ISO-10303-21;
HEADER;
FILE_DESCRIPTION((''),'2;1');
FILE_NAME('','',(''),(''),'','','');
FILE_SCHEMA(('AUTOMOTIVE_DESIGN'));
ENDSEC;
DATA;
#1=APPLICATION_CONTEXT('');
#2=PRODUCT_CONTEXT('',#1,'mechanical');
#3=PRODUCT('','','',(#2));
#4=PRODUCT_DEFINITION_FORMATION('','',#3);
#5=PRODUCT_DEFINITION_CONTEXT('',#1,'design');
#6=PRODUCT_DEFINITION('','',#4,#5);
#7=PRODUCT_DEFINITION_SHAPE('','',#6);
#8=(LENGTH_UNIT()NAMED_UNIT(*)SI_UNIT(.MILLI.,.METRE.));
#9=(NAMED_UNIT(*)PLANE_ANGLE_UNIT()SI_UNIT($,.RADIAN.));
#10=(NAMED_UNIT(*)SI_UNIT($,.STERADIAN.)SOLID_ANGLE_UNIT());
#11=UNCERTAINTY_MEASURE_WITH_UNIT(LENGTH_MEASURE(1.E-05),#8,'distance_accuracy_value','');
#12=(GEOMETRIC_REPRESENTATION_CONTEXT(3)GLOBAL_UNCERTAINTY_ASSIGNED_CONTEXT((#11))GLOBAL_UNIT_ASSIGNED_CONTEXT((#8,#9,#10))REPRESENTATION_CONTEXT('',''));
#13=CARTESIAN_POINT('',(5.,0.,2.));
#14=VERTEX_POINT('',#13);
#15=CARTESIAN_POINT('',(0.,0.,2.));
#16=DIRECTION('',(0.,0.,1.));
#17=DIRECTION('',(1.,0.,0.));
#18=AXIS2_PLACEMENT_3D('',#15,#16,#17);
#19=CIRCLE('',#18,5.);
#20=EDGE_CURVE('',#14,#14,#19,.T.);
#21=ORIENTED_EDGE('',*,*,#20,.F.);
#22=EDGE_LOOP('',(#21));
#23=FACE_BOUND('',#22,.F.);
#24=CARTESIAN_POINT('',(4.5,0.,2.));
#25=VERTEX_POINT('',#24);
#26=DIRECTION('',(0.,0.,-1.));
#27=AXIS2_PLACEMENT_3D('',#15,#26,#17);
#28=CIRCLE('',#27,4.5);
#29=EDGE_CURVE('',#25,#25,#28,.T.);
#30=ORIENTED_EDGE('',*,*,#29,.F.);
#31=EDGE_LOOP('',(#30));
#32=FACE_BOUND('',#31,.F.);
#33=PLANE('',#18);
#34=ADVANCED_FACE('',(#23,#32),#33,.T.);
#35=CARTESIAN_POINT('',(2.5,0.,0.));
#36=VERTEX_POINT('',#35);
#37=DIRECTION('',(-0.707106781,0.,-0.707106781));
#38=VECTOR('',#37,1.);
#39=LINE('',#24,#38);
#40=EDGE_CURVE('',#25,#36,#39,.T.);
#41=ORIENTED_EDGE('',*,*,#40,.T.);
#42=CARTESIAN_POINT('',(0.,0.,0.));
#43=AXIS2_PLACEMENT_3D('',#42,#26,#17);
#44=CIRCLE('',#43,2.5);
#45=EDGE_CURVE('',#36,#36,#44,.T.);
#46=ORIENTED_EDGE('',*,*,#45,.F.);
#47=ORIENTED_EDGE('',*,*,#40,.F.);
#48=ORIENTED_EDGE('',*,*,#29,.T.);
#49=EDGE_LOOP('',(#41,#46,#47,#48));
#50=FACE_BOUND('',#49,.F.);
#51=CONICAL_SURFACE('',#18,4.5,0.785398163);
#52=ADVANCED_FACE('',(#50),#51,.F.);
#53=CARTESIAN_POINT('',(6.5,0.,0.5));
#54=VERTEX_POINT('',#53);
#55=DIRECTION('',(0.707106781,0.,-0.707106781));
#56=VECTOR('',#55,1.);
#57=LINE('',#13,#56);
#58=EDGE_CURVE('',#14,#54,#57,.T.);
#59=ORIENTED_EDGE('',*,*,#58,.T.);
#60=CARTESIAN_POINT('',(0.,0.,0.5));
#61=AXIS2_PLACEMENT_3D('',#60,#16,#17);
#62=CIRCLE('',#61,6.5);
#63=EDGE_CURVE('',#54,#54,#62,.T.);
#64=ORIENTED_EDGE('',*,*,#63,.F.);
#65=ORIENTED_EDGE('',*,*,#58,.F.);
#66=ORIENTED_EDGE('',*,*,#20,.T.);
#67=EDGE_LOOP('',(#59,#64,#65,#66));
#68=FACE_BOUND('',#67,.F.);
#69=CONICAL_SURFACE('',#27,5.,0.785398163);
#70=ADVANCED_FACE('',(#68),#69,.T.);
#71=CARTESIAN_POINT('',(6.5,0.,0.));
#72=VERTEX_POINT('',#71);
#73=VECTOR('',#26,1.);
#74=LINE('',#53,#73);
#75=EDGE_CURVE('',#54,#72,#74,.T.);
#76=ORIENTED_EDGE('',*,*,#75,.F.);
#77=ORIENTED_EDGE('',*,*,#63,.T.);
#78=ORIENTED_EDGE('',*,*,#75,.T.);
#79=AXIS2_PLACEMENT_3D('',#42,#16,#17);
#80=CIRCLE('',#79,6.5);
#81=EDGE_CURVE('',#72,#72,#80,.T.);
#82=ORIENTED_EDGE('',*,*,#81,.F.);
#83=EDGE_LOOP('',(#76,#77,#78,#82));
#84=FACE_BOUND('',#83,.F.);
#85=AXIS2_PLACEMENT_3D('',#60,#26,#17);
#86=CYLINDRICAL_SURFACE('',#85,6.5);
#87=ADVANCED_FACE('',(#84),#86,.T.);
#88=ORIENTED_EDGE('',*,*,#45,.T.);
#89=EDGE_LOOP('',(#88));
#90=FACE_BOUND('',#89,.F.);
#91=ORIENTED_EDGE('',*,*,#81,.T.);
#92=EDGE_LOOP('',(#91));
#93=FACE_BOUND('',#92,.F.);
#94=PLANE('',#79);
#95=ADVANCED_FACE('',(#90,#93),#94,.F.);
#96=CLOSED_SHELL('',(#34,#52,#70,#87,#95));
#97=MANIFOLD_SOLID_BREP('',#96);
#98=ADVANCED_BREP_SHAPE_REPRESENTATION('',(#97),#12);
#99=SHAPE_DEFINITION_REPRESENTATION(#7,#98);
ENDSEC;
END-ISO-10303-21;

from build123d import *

# Parameters (mm, degrees)
HOLE_D           = 4.5
HOLE_DEPTH       = 25
HOLE_CSINK_D     = 9
HOLE_CSINK_ANGLE = 90


with BuildPart() as part:
    # Sketch → Revolution (revolve)
    with BuildSketch(Plane.XZ):
        Polygon((0, 0), (0, 2), (5, 2), (6.5, 0.5), (6.5, 0), align=None)
    revolve(axis=Axis((0, 0, 0), (0, 0, 1)))

    # Hole
    with Locations(Plane(origin=(0, 0, 2), x_dir=(-1, 0, 0), z_dir=(0, 0, 1))):
        with Locations((0, 0)):
            CounterSinkHole(HOLE_D / 2, HOLE_CSINK_D / 2, depth=HOLE_DEPTH, counter_sink_angle=HOLE_CSINK_ANGLE)


solid = part.part
